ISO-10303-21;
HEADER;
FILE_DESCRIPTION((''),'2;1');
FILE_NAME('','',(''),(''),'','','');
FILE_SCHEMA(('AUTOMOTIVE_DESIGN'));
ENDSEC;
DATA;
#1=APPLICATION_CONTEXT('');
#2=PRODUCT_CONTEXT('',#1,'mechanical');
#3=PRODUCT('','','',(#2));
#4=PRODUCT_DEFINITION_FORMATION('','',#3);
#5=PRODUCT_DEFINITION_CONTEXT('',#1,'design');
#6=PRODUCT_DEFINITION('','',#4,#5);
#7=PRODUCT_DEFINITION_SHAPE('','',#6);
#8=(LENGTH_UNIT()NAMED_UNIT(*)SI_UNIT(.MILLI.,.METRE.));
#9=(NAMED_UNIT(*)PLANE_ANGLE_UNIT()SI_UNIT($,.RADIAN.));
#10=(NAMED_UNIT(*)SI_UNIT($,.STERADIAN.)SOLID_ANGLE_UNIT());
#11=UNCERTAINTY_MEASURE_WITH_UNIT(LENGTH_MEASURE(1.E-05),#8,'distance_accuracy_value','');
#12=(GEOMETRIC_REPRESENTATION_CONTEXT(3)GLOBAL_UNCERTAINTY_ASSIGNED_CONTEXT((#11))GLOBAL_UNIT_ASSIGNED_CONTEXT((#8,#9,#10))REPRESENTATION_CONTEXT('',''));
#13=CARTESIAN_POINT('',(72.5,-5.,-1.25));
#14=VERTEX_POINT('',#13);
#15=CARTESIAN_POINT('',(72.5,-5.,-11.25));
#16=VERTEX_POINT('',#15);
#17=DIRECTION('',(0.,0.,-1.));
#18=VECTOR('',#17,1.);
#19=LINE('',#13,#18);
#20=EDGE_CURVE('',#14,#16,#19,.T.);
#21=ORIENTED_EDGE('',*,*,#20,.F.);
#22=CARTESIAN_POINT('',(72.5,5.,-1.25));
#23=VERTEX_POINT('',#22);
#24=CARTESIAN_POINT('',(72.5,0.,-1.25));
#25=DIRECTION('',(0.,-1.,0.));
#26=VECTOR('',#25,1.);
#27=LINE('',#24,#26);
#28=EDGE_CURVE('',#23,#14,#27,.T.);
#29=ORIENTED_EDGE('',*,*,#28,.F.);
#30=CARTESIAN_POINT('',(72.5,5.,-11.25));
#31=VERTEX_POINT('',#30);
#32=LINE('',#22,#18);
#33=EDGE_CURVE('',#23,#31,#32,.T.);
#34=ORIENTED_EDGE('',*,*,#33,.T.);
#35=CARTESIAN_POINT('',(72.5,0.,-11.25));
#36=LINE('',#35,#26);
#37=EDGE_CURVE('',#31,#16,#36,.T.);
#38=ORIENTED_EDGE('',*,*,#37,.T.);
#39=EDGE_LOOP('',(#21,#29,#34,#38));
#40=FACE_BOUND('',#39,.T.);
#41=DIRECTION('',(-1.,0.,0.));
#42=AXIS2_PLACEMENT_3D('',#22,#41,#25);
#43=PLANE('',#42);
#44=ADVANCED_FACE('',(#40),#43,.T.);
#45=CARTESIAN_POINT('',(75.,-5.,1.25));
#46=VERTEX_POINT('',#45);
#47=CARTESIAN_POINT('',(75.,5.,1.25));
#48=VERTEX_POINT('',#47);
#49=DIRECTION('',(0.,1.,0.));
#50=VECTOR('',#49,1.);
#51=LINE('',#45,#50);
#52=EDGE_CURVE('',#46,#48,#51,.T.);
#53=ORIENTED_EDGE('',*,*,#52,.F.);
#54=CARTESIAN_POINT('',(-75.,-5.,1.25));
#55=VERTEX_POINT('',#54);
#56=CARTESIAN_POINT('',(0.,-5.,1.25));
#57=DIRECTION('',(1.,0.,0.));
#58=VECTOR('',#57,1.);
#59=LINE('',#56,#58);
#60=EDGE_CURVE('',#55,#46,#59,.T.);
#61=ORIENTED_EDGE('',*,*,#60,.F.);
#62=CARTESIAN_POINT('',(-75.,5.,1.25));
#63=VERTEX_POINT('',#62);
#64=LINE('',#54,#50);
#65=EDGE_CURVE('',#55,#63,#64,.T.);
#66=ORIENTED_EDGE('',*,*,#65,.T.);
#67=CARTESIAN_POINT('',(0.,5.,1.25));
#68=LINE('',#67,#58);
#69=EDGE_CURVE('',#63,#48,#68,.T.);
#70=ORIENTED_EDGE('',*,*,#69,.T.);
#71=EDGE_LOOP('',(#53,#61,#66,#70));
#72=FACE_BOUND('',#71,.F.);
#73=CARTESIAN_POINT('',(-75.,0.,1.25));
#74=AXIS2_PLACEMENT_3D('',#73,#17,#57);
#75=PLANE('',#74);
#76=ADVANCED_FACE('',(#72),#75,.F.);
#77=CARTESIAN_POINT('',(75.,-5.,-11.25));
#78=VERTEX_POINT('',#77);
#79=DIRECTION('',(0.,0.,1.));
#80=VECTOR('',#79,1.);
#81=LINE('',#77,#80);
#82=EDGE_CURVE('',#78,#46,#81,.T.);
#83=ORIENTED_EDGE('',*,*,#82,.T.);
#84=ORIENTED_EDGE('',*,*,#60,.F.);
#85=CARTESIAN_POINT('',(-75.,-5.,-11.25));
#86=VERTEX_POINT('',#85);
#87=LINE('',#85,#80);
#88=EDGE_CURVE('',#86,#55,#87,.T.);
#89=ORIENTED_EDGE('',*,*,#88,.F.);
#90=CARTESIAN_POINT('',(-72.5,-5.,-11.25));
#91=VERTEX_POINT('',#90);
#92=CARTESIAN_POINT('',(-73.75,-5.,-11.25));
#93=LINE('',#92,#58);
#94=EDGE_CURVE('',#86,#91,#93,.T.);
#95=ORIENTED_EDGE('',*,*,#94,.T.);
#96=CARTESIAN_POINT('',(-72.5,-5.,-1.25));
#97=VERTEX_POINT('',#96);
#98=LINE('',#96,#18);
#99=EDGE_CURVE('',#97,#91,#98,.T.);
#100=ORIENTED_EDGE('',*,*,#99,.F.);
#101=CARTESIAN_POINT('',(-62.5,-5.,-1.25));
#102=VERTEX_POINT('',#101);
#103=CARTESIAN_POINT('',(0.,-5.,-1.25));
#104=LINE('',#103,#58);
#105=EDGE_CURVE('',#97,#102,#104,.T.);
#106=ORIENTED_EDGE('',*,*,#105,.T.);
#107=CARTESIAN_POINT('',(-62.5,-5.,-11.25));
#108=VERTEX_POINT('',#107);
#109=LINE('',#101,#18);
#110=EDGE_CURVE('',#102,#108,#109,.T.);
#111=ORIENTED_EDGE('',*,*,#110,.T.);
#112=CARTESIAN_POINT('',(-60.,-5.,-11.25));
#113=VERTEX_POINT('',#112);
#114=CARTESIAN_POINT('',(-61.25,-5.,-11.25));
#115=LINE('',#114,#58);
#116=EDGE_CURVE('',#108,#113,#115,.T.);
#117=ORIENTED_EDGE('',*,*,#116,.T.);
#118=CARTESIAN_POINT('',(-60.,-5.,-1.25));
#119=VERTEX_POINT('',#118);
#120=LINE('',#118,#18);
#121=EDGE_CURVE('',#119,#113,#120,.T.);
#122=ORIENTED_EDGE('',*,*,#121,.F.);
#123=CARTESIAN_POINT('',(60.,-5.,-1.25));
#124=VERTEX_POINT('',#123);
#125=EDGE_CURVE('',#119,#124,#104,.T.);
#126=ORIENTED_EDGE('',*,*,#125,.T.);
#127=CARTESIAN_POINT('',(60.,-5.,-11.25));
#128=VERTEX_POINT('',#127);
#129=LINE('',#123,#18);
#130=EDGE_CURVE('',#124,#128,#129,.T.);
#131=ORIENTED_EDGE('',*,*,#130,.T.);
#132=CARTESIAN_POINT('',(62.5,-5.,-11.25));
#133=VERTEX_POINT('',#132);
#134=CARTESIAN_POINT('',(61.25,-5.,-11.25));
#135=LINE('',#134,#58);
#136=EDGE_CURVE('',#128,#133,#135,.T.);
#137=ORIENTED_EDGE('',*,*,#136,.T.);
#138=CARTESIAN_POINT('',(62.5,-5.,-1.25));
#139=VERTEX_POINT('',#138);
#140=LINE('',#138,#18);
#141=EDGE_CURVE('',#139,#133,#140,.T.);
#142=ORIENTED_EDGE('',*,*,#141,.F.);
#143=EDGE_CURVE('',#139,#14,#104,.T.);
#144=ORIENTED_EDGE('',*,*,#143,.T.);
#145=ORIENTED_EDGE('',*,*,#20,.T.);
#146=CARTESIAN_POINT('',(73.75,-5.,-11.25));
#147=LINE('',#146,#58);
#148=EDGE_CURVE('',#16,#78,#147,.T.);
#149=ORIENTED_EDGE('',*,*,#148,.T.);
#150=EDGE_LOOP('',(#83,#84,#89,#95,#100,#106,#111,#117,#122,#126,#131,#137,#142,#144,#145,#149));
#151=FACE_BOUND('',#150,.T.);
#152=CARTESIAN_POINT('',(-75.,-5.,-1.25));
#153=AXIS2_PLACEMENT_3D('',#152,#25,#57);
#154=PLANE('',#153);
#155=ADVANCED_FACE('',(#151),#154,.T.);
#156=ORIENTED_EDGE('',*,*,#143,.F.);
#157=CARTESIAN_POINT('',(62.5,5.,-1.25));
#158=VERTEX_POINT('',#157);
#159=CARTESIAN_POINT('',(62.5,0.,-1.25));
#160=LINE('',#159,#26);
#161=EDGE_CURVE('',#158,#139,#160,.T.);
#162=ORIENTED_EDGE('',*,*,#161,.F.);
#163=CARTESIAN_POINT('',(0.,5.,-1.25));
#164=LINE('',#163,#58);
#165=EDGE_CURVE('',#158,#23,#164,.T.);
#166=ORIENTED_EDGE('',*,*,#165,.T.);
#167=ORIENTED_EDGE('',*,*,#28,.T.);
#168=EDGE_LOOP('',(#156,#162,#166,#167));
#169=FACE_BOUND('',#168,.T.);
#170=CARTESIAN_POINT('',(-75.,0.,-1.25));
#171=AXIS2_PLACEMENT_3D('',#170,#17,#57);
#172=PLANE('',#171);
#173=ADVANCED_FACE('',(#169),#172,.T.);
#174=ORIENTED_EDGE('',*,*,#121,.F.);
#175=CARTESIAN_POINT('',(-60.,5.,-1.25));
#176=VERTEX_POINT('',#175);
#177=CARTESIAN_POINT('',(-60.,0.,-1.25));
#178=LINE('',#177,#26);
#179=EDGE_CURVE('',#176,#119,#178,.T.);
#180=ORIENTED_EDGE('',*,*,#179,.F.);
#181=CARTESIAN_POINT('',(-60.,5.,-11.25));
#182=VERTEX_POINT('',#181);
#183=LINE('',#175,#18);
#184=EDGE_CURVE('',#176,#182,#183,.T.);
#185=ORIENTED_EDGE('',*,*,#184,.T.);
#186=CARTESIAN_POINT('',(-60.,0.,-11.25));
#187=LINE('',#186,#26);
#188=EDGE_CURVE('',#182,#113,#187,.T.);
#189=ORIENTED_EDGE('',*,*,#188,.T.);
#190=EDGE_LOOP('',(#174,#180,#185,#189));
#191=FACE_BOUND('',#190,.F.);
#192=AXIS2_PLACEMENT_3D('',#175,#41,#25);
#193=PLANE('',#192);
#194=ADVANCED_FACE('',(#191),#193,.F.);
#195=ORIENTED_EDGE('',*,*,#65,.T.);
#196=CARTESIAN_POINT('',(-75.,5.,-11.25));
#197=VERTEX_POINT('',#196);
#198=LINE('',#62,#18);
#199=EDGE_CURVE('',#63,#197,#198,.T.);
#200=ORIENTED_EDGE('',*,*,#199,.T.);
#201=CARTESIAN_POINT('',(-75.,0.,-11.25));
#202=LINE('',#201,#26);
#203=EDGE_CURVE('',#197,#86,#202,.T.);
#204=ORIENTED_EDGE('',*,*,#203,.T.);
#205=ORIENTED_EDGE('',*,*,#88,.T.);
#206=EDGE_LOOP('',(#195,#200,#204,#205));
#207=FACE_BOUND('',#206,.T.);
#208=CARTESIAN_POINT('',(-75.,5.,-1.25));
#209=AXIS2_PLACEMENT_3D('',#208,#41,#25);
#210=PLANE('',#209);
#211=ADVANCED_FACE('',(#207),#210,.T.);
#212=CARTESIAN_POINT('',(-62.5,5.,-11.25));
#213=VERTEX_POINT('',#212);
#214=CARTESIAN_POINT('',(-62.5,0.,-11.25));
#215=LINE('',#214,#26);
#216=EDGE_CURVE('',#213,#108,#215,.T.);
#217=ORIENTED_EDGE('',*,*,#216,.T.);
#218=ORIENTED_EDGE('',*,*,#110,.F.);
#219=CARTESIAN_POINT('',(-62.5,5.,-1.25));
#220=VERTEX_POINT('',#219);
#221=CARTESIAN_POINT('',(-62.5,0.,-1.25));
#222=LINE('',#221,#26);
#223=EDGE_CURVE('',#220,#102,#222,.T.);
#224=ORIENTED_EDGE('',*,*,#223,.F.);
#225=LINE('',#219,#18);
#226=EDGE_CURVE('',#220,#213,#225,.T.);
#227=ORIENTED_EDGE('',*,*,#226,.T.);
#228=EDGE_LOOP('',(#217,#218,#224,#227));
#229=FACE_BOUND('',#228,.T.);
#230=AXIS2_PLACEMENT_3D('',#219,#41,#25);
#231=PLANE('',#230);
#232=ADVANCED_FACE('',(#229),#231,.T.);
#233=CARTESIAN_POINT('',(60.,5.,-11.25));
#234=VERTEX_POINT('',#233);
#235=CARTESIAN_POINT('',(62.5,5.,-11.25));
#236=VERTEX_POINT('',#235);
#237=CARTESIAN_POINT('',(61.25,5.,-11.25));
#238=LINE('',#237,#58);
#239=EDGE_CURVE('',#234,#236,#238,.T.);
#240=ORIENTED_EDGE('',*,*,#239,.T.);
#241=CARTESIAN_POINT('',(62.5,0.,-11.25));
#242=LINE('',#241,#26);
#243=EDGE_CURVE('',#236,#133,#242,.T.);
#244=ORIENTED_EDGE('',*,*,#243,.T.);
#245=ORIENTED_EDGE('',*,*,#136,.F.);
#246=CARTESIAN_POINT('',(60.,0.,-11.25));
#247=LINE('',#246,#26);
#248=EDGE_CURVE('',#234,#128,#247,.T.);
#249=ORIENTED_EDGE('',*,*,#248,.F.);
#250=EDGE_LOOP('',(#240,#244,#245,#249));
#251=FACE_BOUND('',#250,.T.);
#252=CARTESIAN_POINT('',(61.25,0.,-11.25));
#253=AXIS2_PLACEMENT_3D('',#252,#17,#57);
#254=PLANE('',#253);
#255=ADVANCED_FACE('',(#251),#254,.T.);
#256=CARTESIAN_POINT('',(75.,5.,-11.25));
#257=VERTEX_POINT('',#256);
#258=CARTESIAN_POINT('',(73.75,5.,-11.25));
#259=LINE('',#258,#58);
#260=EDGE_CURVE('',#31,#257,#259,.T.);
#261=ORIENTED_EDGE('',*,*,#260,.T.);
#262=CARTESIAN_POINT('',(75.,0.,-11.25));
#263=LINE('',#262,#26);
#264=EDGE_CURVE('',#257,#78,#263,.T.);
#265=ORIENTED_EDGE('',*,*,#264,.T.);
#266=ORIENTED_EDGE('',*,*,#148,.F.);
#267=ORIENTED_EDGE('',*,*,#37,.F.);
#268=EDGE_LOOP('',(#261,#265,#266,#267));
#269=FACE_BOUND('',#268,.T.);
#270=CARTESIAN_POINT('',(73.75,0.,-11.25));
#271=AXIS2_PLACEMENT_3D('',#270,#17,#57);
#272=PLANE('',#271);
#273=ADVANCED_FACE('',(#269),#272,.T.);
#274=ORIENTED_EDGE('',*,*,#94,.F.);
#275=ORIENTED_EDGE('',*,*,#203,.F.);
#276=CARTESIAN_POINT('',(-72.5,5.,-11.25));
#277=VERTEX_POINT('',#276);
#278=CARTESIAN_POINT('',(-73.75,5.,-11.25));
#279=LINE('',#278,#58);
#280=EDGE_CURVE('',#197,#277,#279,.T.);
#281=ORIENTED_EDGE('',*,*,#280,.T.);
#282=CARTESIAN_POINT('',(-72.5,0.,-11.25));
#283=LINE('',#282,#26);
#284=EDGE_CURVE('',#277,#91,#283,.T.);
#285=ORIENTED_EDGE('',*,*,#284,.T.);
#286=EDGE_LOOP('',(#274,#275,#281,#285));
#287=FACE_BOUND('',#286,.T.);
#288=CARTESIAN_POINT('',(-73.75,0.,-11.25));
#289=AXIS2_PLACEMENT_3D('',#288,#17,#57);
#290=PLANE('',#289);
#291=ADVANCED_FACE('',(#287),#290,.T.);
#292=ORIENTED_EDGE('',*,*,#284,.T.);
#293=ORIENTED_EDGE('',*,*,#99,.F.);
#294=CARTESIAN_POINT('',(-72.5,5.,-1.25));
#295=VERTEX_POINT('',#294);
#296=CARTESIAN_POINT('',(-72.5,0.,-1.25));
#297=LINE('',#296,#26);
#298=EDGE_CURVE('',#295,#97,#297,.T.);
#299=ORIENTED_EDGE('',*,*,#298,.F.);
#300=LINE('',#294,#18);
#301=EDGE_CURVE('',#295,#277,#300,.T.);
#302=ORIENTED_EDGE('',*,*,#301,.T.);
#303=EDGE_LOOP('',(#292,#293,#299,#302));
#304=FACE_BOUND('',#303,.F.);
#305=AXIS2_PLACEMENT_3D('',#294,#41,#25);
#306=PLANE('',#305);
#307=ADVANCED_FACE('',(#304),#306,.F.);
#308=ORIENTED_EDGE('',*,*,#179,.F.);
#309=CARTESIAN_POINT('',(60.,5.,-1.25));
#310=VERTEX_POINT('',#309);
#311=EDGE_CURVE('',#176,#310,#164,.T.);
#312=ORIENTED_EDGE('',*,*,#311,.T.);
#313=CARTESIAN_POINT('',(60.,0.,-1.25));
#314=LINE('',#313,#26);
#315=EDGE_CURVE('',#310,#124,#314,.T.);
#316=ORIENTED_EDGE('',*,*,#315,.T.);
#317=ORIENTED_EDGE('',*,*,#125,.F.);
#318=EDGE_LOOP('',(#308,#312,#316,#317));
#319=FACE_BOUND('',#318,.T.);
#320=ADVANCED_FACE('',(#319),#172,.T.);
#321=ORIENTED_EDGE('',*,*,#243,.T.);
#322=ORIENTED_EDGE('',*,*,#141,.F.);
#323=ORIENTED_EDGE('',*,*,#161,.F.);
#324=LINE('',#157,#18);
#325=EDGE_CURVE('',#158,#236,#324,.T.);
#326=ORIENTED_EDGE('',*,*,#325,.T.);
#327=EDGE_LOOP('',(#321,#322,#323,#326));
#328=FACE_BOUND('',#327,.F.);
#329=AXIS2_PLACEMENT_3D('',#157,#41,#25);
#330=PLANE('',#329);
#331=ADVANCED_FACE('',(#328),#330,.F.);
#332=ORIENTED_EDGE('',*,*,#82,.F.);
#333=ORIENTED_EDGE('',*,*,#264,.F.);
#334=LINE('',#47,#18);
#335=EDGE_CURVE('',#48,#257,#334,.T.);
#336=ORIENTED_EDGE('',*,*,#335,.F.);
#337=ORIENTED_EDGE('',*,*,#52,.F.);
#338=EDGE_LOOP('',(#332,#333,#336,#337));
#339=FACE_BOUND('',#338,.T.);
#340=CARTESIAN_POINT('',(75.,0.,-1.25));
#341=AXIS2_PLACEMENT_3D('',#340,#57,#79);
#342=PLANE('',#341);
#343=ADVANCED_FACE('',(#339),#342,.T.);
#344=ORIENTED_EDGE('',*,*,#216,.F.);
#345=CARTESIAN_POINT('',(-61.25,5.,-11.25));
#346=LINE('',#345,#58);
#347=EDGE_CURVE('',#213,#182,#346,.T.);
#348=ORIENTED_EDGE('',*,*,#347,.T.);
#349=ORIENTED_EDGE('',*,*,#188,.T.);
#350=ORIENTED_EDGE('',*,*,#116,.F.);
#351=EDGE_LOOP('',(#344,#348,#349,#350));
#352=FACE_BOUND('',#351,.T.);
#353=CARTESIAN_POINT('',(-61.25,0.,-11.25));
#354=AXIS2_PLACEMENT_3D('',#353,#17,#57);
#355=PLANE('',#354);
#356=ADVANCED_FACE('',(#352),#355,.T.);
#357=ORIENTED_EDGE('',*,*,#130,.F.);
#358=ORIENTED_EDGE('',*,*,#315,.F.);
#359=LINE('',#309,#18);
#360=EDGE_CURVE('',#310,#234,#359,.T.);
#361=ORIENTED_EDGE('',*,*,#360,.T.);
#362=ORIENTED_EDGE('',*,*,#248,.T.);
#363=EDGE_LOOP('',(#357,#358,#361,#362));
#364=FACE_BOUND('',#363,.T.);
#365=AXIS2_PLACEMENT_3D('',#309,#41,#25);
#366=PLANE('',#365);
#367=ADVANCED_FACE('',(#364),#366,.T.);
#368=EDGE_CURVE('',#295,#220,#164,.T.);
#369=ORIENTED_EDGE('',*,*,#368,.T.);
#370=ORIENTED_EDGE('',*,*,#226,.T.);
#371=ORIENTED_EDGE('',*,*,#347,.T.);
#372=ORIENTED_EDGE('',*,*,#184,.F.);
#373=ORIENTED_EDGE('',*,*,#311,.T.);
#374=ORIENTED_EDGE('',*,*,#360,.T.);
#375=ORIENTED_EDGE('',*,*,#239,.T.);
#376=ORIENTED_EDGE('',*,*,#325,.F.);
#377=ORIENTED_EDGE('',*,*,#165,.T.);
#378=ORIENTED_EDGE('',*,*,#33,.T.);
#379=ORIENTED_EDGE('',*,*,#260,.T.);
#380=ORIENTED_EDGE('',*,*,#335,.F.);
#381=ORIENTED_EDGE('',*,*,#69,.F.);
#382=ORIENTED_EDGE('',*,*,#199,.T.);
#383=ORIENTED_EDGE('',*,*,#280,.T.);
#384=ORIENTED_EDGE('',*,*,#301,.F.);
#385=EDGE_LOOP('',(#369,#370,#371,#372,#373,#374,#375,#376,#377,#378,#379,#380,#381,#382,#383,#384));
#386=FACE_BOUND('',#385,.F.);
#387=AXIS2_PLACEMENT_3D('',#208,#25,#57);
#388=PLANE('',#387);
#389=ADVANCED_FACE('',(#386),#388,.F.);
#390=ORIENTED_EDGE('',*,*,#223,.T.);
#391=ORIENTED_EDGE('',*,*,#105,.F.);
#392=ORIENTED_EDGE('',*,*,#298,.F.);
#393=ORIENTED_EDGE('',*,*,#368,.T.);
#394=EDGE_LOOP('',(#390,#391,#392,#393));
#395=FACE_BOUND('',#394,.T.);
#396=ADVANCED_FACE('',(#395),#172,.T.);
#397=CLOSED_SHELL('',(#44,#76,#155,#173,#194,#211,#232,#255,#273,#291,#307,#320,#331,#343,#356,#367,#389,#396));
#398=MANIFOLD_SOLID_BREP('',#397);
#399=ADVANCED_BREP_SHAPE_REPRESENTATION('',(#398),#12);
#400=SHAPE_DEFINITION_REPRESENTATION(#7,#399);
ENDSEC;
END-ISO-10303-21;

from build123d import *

# Parameters (mm, degrees)
F0_W     = 150
F0_H     = 2.5
F1_DEPTH = 5
F2_W     = 2.5
F2_H     = 10
F3_DEPTH = 10


with BuildPart() as f1:
    # F0 (on Front) → F1 (new body, symmetric)
    with BuildSketch(Plane.XZ):
        Rectangle(F0_W, F0_H)
    extrude(amount=F1_DEPTH, both=True)

    # F2 (on face) → F3 (join)
    with BuildSketch(Plane(origin=(0, 0, -1.25), x_dir=(1, 0, 0), z_dir=(0, 0, -1))):
        with Locations((-61.25, 0)):
            Rectangle(F2_W, F2_H)
        with Locations((-73.75, 0)):
            Rectangle(F2_W, F2_H)
        with Locations((61.25, 0)):
            Rectangle(F2_W, F2_H)
        with Locations((73.75, 0)):
            Rectangle(F2_W, F2_H)
    extrude(amount=F3_DEPTH)


solid = f1.part
